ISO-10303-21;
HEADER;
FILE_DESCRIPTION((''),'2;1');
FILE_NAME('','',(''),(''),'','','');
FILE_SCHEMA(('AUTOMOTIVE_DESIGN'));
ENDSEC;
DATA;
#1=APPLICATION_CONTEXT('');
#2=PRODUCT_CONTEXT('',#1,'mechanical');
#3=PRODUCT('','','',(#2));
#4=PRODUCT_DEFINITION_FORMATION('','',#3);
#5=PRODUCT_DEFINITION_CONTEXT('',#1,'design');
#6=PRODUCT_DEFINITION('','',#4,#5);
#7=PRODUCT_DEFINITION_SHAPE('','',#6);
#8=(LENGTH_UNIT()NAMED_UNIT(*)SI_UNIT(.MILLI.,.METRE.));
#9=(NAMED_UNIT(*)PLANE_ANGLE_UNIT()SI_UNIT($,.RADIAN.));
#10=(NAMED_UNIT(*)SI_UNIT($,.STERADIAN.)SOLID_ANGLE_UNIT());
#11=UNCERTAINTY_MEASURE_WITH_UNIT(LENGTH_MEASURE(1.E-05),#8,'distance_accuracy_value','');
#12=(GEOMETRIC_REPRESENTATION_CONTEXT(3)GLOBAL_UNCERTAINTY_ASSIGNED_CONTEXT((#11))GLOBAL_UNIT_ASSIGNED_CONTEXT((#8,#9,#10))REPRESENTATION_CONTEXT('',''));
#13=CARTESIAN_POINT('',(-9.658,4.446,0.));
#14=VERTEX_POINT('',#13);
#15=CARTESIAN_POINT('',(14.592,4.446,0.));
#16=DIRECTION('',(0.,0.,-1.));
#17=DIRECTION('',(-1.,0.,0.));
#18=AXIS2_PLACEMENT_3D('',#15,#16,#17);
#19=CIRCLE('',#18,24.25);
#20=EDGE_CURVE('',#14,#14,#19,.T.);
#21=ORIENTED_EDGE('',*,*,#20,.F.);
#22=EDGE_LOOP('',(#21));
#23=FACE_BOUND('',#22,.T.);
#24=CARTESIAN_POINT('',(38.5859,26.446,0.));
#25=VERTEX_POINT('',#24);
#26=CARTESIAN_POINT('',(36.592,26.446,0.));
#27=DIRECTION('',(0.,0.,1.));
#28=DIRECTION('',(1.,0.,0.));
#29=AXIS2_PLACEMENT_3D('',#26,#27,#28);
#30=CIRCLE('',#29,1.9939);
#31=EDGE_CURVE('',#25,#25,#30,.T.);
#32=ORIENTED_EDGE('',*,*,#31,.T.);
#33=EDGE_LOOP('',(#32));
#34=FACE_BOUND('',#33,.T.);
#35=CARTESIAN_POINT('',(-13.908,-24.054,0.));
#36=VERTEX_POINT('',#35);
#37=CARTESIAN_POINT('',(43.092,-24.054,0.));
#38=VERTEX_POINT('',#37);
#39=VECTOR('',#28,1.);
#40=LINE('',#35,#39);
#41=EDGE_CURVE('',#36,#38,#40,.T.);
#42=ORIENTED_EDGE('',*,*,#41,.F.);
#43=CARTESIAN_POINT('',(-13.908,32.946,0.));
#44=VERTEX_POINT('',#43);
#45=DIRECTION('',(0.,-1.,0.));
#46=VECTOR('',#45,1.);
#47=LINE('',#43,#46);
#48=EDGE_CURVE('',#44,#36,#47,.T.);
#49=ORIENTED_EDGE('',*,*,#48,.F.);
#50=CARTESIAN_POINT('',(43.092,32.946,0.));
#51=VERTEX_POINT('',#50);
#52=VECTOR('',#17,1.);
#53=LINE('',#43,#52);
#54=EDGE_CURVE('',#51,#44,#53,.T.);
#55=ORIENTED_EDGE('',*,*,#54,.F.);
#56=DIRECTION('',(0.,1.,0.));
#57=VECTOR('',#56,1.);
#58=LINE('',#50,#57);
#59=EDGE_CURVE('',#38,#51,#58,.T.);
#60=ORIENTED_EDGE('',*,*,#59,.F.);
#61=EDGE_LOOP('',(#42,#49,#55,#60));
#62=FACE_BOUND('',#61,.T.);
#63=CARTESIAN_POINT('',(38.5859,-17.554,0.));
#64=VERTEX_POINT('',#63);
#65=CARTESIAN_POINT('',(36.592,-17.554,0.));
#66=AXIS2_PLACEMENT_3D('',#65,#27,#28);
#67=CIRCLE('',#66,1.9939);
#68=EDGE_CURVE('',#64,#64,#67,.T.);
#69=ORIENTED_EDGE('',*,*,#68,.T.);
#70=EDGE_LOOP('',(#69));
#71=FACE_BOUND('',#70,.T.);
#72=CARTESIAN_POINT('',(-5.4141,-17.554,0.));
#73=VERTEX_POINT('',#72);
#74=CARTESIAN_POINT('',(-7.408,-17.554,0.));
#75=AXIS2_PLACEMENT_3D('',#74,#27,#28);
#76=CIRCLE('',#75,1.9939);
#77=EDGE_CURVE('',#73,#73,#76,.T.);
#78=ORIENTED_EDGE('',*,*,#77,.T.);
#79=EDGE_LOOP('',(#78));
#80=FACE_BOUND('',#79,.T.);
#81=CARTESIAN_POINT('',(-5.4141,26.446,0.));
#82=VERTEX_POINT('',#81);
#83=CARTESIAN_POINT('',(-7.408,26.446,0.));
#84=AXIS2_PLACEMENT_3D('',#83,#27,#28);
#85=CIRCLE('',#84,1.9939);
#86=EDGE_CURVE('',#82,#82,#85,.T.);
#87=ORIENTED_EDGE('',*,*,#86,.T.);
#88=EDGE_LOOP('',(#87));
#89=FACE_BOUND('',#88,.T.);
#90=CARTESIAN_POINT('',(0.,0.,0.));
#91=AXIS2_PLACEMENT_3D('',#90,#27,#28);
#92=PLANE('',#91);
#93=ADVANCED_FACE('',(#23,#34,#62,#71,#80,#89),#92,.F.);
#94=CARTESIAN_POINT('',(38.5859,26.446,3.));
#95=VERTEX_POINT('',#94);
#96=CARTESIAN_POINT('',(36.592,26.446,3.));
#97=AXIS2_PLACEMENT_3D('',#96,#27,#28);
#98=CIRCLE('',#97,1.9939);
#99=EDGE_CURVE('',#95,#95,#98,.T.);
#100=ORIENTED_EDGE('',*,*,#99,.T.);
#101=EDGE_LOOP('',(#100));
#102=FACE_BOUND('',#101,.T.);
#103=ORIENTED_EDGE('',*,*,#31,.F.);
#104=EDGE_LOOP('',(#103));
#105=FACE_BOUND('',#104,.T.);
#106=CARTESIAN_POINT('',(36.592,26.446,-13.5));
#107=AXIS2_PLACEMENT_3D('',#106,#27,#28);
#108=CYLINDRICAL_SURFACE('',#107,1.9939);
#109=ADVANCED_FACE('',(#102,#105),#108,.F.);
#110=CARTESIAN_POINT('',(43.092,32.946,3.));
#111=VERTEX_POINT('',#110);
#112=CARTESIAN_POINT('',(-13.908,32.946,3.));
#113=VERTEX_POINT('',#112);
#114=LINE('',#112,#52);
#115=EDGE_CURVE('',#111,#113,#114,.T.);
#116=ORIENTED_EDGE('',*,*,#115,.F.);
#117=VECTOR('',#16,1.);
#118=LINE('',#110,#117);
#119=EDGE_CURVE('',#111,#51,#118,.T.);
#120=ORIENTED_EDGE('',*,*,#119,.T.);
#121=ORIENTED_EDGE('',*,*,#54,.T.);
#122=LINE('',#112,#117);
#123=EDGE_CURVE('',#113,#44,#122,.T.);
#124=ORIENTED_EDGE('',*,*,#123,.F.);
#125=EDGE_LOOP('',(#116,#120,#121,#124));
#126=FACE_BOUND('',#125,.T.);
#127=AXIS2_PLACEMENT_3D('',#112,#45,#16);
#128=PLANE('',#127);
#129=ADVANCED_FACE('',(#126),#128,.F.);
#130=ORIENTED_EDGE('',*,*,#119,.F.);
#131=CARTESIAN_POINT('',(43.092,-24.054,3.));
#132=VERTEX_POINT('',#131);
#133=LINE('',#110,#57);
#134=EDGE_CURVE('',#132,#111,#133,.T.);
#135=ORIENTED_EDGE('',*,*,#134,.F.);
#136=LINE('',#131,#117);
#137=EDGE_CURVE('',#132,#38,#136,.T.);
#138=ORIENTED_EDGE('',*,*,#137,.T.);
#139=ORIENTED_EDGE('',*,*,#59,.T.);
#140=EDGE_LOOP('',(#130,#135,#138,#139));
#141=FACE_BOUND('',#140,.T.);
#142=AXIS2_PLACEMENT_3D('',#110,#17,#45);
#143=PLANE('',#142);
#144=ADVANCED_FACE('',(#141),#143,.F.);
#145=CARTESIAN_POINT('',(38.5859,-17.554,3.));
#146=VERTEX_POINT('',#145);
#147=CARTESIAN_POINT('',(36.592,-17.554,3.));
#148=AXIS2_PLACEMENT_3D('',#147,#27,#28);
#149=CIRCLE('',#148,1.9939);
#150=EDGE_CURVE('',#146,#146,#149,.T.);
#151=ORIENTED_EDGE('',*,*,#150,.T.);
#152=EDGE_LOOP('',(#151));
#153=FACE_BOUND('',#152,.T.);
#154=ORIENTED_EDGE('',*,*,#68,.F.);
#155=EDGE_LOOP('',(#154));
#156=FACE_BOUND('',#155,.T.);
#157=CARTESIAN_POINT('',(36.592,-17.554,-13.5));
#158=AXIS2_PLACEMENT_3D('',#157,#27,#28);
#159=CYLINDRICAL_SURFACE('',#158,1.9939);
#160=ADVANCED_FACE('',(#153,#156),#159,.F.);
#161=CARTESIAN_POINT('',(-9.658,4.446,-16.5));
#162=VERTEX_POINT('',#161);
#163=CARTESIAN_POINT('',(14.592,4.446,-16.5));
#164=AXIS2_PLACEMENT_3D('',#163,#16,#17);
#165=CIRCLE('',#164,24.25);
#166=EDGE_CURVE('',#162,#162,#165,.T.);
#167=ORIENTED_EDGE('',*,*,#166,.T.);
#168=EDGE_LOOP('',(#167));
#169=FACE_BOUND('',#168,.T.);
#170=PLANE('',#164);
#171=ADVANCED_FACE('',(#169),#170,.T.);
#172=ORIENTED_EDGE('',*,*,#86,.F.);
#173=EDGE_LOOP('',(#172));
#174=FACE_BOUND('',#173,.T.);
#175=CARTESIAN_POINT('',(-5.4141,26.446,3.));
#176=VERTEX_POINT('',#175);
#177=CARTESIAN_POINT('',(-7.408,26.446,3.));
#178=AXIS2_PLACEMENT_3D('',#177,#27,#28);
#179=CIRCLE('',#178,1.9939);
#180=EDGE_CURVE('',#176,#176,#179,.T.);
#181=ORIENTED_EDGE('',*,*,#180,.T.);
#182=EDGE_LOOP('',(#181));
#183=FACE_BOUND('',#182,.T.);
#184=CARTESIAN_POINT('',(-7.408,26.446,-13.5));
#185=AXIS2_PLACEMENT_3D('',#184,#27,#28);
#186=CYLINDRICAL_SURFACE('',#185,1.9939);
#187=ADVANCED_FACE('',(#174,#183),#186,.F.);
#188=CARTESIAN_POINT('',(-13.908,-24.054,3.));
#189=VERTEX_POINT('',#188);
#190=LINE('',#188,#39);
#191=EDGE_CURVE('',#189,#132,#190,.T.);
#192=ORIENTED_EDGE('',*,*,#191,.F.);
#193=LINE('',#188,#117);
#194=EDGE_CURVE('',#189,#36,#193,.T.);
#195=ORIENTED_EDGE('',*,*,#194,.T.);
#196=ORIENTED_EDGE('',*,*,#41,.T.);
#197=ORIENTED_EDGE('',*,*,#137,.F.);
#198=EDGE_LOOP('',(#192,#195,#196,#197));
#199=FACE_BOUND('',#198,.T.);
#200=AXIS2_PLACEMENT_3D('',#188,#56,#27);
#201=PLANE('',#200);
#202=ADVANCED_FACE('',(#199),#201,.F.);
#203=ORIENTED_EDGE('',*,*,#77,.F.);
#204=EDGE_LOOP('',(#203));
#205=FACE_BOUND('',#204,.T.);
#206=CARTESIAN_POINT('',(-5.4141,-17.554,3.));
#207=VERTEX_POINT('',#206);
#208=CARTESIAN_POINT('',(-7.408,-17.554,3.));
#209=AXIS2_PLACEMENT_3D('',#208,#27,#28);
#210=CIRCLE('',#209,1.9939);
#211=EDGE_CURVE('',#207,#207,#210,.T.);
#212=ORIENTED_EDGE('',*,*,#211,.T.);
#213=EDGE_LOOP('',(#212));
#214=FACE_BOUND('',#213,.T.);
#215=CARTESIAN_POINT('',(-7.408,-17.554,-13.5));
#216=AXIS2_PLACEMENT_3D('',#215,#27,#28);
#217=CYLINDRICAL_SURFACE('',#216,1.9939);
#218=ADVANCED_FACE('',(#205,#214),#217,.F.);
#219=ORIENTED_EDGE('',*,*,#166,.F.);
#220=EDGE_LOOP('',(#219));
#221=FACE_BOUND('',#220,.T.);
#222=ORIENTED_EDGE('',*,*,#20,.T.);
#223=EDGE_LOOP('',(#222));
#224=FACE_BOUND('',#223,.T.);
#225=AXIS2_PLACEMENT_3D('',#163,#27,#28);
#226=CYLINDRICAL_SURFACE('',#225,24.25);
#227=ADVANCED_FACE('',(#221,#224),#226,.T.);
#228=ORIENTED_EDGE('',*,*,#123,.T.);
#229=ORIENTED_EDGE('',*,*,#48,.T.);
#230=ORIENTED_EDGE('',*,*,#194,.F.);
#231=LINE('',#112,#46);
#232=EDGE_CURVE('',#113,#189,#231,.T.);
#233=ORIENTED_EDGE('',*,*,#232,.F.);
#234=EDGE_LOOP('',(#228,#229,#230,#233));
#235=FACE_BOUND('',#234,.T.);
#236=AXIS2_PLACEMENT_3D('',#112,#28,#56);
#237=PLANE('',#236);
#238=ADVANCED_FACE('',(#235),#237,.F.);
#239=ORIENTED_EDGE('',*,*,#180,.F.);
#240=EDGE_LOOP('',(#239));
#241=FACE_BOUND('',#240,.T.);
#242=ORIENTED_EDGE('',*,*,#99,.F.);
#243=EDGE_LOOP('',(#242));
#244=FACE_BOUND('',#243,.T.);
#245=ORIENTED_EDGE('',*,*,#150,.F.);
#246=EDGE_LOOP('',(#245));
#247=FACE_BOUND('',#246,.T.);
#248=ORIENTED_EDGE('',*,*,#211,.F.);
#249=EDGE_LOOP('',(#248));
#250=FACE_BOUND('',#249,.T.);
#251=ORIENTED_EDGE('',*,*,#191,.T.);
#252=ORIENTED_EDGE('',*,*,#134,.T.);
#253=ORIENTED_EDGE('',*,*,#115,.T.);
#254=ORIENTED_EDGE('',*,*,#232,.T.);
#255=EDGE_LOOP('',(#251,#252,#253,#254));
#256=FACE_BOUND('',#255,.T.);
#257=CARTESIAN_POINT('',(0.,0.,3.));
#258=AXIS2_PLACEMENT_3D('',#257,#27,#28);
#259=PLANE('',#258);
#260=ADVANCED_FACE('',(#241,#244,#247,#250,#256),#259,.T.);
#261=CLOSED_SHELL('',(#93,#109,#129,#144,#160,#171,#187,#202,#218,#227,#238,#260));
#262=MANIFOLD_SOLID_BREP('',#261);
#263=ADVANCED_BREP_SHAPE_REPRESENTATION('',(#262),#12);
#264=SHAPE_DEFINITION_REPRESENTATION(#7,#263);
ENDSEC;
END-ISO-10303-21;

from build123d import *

# Parameters (mm, degrees)
SKETCH2_W           = 57
SKETCH2_H           = 57
BOSS_EXTRUDE1_DEPTH = 3
SKETCH3_R           = 24.25
BOSS_EXTRUDE2_DEPTH = 16.5
SKETCH4_R           = 1.9939
CUT_EXTRUDE1_DEPTH  = 16.5


with BuildPart() as part:
    # Sketch2 → Boss-Extrude1 (new body)
    with BuildSketch(Plane.XY):
        with Locations((14.592, 4.446)):
            Rectangle(SKETCH2_W, SKETCH2_H)
    extrude(amount=BOSS_EXTRUDE1_DEPTH)

    # Sketch3 → Boss-Extrude2 (add)
    with BuildSketch(Plane(origin=(0, 0, 0), x_dir=(-1, 0, 0), z_dir=(0, 0, -1))):
        with Locations((-14.592, 4.446)):
            Circle(SKETCH3_R)
    extrude(amount=BOSS_EXTRUDE2_DEPTH)

    # Sketch4 → Cut-Extrude1 (cut)
    with BuildSketch(Plane.XY.offset(3)):
        with Locations((36.592, 26.446)):
            Circle(SKETCH4_R)
        with Locations((36.592, -17.554)):
            Circle(SKETCH4_R)
        with Locations((-7.408, -17.554)):
            Circle(SKETCH4_R)
        with Locations((-7.408, 26.446)):
            Circle(SKETCH4_R)
    extrude(amount=-CUT_EXTRUDE1_DEPTH, mode=Mode.SUBTRACT)


solid = part.part
